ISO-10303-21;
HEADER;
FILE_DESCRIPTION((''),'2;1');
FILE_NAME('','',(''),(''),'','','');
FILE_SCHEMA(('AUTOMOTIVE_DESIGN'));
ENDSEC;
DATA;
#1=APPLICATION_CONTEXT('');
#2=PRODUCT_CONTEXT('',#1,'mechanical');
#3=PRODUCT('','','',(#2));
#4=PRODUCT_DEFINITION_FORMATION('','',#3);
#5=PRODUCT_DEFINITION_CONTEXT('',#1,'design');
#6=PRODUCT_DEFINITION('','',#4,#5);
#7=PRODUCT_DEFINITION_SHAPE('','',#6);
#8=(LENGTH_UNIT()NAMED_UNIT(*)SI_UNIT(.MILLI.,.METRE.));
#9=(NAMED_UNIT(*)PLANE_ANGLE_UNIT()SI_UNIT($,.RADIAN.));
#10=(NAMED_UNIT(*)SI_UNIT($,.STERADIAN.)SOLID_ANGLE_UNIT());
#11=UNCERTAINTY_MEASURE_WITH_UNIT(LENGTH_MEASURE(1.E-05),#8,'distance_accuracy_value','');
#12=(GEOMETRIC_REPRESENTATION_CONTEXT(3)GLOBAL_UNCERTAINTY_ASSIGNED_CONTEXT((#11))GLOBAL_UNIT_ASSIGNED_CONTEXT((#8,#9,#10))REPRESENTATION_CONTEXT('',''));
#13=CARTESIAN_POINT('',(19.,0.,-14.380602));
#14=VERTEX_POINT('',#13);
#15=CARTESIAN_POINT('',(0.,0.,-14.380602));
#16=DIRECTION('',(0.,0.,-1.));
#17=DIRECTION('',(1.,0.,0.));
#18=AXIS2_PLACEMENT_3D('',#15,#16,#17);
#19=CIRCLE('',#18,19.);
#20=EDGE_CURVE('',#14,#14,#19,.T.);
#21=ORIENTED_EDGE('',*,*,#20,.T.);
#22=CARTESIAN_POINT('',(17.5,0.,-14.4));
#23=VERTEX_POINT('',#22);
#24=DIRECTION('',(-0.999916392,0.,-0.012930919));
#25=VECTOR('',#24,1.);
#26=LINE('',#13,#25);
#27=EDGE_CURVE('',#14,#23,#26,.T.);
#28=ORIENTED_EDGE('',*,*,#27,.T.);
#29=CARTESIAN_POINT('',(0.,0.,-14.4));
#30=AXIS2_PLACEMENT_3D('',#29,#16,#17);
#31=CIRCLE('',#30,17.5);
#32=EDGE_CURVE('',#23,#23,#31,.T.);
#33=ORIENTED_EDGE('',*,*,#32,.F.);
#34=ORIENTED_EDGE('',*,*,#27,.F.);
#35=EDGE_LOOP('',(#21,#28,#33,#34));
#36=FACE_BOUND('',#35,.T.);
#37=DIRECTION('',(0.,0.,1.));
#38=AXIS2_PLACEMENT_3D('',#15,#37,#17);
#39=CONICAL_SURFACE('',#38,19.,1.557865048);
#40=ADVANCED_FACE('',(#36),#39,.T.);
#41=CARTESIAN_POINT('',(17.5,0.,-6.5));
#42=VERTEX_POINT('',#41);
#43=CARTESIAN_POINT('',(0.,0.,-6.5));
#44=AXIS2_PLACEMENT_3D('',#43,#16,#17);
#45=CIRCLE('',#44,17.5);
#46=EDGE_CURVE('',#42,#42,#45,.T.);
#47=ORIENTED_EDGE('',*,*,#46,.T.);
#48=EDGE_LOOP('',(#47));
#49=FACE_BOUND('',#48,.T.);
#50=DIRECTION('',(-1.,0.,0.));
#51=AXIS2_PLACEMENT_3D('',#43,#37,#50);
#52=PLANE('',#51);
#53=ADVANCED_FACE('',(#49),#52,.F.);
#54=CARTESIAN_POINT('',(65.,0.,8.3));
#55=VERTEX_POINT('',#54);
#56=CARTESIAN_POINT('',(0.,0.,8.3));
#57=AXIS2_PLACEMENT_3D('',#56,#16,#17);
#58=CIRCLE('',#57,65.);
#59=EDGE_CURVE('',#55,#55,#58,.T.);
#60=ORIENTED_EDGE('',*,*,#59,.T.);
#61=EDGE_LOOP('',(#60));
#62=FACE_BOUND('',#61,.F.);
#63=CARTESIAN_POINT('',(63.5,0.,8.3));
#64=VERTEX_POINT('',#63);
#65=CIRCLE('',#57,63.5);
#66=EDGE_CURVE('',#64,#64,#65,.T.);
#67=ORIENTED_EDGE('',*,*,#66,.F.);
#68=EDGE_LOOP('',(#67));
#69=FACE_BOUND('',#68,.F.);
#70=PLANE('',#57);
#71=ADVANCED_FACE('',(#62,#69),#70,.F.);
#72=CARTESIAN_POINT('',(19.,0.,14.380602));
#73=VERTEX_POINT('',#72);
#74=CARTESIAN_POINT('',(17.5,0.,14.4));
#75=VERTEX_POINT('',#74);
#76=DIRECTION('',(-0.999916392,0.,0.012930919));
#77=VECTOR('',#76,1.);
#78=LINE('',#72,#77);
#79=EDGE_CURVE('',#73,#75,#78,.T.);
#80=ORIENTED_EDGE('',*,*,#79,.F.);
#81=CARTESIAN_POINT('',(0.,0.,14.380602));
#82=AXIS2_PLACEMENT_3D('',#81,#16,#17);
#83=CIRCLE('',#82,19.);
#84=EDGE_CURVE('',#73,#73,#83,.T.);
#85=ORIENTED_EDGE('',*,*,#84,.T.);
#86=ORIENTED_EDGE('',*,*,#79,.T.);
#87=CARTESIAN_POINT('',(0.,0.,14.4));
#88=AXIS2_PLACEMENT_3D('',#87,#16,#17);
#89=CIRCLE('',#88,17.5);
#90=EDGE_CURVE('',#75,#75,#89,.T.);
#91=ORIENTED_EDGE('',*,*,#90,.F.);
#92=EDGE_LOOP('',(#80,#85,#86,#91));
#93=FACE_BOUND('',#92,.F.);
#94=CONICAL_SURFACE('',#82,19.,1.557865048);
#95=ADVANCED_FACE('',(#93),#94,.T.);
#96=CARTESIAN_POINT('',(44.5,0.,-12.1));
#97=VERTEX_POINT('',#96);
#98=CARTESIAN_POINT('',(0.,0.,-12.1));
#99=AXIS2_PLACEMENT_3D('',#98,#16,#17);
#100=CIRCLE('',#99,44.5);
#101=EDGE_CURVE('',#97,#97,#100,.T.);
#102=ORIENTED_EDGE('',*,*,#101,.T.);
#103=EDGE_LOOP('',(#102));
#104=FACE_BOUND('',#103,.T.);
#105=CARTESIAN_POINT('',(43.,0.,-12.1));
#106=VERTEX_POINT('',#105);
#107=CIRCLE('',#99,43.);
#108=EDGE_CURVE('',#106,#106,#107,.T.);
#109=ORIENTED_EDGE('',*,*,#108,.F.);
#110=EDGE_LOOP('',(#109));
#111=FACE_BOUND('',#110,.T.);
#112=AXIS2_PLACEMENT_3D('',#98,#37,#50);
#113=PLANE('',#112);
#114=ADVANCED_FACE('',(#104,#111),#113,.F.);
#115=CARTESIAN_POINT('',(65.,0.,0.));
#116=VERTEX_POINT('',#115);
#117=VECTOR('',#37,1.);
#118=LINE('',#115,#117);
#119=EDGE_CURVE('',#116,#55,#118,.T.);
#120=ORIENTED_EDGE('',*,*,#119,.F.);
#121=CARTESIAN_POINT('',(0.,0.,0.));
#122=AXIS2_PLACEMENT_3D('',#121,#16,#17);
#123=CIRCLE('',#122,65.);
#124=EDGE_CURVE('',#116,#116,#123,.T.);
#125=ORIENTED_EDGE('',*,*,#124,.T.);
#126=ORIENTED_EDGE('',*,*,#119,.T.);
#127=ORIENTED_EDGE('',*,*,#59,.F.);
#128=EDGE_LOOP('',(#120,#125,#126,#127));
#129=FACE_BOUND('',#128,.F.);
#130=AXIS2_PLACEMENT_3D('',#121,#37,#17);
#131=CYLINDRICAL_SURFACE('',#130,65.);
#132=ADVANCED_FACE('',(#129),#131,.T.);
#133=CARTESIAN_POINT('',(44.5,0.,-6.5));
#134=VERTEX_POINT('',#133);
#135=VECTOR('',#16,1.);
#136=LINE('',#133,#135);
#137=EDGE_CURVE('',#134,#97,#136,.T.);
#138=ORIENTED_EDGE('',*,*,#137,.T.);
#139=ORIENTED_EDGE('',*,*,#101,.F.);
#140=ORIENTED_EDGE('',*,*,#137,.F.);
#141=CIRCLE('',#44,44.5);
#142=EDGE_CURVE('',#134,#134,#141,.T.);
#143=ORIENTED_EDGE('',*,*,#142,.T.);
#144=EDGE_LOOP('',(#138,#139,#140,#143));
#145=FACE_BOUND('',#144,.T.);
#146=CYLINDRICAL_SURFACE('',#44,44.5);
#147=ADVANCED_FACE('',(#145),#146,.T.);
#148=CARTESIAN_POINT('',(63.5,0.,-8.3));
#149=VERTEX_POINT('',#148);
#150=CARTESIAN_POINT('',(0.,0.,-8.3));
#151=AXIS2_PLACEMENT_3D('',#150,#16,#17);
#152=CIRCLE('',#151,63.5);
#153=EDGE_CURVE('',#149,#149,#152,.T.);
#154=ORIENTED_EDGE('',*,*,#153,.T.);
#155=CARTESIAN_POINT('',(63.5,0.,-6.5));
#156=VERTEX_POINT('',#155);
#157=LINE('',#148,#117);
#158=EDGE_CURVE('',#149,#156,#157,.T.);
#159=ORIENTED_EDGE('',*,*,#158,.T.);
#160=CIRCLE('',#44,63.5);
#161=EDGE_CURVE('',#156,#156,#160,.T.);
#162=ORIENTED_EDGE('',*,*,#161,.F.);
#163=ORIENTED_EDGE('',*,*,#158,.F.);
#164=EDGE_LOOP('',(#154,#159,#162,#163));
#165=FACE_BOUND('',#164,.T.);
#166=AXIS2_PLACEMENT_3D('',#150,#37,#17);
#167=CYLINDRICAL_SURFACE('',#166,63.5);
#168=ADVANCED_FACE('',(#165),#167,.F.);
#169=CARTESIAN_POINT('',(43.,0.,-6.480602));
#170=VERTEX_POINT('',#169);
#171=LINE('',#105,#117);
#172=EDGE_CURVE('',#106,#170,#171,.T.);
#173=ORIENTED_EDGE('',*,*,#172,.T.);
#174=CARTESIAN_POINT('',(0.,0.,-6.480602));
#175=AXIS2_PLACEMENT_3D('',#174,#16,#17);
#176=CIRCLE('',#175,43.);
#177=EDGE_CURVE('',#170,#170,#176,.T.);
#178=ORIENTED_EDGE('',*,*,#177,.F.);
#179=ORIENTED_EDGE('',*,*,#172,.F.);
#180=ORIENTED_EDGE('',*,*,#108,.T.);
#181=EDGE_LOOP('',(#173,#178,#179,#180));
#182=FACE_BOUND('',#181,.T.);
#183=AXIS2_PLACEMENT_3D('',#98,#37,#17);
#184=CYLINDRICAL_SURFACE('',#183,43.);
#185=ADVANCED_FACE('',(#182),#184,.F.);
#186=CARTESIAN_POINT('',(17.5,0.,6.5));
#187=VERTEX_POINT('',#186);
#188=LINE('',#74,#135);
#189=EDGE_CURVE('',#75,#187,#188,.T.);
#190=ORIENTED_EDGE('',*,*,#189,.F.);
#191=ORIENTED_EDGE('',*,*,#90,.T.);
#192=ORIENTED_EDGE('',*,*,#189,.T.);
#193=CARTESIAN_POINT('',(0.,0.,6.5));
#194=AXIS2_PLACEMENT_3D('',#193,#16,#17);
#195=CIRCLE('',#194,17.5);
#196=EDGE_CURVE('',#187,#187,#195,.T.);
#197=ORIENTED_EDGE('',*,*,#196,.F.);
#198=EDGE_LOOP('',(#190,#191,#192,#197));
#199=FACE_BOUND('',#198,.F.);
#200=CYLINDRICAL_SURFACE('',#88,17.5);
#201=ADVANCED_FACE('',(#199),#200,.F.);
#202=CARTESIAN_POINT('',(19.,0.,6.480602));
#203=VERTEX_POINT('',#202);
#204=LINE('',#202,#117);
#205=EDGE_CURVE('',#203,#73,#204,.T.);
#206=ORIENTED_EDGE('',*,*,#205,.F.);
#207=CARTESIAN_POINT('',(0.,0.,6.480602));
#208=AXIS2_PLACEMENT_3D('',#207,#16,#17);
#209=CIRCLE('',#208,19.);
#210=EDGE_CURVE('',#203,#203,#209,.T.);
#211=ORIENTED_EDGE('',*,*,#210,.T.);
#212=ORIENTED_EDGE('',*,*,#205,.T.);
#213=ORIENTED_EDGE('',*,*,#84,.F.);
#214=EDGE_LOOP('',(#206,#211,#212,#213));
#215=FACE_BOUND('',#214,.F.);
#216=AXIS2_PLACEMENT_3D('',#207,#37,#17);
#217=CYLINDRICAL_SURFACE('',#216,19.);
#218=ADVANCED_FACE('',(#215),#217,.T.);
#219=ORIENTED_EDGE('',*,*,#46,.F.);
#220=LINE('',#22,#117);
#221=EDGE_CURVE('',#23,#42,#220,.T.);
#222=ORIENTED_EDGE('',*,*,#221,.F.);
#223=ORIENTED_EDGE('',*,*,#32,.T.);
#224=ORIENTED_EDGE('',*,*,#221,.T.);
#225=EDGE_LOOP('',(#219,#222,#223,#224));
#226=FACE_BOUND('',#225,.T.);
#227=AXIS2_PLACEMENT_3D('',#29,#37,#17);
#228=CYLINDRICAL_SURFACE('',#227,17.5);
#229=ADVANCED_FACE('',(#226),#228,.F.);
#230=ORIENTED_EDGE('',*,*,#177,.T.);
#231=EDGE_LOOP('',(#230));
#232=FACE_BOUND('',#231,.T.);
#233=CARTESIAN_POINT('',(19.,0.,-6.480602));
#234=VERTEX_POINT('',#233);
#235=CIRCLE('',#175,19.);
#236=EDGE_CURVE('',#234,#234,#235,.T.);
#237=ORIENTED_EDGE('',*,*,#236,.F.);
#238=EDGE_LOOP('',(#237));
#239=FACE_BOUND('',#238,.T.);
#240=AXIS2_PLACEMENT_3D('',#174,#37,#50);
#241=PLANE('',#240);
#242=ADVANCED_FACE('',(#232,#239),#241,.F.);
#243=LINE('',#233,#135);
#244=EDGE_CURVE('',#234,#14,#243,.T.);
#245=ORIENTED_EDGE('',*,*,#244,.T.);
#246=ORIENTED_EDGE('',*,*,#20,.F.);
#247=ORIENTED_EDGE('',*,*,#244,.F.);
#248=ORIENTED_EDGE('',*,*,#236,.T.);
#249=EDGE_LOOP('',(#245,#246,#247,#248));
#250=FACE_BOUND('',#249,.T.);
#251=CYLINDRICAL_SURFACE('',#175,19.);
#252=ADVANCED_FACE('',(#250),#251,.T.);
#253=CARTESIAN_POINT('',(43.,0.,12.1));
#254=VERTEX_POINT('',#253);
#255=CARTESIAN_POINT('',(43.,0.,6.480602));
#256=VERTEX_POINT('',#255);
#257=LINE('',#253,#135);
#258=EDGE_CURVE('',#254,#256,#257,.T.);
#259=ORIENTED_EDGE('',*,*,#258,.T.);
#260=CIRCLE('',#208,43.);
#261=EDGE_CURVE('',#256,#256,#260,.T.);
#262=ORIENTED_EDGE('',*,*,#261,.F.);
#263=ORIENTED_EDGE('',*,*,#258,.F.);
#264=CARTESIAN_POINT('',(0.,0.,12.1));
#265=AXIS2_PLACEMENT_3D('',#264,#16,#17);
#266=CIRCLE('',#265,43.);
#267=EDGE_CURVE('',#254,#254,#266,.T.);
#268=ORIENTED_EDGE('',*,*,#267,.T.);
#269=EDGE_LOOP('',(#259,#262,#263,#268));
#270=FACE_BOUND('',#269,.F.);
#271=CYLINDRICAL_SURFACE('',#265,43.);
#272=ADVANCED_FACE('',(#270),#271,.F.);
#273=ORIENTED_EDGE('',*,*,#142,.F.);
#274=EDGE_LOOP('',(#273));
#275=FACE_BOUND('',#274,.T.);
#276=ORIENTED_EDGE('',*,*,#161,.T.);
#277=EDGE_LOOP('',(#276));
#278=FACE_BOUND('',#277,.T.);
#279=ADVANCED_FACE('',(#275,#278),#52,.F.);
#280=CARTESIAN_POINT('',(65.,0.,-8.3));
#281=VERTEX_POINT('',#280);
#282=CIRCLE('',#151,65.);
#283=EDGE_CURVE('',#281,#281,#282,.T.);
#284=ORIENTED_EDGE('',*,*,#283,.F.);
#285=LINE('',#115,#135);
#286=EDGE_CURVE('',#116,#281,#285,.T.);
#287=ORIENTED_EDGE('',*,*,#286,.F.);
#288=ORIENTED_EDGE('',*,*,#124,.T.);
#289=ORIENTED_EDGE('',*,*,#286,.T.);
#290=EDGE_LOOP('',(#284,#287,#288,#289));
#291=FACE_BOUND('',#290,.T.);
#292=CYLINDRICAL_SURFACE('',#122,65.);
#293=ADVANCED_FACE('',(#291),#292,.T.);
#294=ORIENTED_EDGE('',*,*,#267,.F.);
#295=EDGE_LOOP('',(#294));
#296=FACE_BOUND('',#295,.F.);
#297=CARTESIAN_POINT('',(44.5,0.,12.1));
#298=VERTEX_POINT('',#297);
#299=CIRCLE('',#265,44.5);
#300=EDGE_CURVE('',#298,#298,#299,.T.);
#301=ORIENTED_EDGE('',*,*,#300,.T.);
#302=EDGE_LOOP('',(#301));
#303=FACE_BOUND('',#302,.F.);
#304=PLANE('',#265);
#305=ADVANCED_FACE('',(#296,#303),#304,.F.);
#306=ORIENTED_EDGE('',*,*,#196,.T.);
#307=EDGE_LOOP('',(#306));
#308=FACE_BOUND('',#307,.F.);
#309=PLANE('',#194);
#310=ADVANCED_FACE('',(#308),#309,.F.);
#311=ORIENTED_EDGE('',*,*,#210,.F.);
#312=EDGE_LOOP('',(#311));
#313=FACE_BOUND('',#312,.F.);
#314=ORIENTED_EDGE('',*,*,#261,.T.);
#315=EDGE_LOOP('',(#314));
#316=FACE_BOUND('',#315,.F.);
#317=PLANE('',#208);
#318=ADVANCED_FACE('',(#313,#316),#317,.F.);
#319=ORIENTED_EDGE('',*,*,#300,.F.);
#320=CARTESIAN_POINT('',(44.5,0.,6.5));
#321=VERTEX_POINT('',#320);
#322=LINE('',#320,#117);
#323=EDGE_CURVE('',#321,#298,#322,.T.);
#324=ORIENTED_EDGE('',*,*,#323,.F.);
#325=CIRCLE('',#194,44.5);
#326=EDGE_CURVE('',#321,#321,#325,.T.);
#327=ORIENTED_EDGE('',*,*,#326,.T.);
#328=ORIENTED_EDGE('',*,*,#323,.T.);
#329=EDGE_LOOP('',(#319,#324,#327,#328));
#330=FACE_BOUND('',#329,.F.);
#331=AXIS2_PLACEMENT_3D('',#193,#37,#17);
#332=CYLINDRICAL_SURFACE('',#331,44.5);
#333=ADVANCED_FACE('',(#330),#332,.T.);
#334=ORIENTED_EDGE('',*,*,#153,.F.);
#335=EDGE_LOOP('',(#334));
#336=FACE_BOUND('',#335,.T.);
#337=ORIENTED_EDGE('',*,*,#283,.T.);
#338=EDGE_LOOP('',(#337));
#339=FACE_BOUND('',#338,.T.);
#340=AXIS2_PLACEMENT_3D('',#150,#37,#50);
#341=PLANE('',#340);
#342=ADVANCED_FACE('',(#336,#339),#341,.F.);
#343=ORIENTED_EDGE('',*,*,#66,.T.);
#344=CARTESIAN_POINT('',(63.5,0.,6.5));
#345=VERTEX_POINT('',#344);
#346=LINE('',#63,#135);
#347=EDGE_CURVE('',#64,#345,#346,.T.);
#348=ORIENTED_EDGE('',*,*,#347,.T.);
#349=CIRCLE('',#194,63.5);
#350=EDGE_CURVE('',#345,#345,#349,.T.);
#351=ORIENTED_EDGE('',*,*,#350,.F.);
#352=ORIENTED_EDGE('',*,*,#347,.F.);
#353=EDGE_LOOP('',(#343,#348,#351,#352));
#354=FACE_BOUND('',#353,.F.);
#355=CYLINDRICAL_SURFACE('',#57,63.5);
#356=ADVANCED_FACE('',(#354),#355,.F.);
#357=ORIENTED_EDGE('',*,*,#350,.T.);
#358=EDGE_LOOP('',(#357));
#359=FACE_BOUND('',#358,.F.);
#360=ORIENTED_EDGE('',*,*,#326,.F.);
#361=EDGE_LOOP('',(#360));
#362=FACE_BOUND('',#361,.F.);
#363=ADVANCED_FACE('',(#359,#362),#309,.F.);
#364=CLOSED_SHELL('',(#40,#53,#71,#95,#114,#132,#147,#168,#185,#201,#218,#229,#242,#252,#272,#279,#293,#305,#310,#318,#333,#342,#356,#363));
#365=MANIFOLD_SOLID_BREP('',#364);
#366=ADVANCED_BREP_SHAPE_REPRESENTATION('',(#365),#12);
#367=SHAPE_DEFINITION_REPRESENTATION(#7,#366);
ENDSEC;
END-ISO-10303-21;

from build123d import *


with BuildPart() as f1:
    # F0 (on Front) → F1 (revolve)
    with BuildSketch(Plane.XZ):
        Polygon((0, 6.5), (0, 0), (65, 0), (65, 8.3), (63.5, 8.3), (63.5, 6.5), (44.5, 6.5), (44.5, 12.1), (43, 12.1), (43, 6.480602), (19, 6.480602), (19, 14.380602), (17.5, 14.4), (17.5, 6.5), align=None)
    revolve(axis=Axis((0, 0, 3.25), (0, 0, -1)))

    # F2: F1 across plane


with BuildPart() as f1_1:
    add(f1.part)
    add(f1.part.mirror(Plane.XY))


solid = f1_1.part
